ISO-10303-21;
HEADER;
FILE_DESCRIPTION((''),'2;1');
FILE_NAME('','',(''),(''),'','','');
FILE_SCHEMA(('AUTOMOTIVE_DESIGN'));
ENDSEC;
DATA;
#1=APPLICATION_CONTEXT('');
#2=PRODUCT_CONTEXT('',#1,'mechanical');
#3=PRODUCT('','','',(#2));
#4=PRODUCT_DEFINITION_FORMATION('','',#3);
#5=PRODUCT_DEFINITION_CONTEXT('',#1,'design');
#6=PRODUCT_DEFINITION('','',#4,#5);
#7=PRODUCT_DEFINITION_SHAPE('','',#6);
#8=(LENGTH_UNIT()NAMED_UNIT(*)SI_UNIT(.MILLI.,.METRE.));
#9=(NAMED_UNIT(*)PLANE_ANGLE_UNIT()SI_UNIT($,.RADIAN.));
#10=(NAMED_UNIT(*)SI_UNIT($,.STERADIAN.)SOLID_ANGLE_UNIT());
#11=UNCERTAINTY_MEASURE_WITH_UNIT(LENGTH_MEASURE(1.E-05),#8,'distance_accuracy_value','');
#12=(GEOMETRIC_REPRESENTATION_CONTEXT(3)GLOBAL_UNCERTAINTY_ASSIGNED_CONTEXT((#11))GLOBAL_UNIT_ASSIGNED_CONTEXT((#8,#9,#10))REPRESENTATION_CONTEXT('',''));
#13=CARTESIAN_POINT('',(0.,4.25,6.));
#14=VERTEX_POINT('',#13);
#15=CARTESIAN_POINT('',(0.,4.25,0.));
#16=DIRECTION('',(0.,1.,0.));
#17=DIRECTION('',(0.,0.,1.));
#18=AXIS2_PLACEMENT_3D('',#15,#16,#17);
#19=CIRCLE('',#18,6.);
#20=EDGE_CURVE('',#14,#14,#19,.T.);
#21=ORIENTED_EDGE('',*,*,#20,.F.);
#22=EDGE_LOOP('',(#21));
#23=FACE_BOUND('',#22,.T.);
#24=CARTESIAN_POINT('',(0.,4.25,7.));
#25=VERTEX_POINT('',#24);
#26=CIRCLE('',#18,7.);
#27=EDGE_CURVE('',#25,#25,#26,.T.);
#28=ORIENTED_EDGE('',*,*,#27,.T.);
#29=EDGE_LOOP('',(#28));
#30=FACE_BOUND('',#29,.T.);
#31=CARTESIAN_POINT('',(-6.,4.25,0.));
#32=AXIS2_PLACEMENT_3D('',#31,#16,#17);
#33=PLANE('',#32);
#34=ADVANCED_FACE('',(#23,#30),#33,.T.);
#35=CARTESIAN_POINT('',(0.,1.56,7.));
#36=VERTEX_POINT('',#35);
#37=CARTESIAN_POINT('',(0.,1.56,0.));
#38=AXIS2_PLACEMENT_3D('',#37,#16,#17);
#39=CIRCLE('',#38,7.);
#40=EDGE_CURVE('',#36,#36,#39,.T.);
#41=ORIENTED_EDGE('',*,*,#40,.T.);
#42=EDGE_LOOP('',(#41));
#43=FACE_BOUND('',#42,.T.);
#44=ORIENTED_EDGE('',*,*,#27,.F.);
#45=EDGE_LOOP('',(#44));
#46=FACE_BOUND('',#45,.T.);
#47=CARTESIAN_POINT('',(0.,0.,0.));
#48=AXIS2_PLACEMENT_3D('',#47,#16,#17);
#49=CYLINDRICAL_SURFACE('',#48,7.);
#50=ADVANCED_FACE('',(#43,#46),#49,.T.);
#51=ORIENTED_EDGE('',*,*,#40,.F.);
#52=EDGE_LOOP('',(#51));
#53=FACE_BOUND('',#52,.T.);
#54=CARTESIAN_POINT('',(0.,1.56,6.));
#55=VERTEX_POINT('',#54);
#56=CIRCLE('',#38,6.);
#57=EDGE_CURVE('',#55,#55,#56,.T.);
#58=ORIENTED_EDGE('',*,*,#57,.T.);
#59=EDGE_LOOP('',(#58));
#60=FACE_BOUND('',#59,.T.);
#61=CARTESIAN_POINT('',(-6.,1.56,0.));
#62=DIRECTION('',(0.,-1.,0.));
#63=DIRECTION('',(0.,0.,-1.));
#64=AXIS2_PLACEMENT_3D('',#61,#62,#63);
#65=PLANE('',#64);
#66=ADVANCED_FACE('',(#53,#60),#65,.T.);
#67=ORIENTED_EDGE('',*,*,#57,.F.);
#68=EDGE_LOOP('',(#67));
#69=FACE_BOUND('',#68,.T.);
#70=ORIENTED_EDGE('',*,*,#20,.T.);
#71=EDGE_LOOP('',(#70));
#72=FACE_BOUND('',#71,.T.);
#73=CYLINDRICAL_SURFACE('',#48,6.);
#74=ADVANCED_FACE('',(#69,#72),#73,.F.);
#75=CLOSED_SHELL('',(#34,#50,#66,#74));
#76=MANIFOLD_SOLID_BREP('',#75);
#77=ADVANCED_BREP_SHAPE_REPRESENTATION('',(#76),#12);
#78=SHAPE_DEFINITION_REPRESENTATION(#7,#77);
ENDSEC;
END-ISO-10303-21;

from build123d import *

# Parameters (mm, degrees)
SKETCH1_W = 1
SKETCH1_H = 2.69


with BuildPart() as part:
    # Sketch1 → Revolve1 (revolve)
    with BuildSketch(Plane.XY):
        with Locations((-6.5, 2.905)):
            Rectangle(SKETCH1_W, SKETCH1_H)
    revolve(axis=Axis((0, 0, 0), (0, -1, 0)))


solid = part.part
